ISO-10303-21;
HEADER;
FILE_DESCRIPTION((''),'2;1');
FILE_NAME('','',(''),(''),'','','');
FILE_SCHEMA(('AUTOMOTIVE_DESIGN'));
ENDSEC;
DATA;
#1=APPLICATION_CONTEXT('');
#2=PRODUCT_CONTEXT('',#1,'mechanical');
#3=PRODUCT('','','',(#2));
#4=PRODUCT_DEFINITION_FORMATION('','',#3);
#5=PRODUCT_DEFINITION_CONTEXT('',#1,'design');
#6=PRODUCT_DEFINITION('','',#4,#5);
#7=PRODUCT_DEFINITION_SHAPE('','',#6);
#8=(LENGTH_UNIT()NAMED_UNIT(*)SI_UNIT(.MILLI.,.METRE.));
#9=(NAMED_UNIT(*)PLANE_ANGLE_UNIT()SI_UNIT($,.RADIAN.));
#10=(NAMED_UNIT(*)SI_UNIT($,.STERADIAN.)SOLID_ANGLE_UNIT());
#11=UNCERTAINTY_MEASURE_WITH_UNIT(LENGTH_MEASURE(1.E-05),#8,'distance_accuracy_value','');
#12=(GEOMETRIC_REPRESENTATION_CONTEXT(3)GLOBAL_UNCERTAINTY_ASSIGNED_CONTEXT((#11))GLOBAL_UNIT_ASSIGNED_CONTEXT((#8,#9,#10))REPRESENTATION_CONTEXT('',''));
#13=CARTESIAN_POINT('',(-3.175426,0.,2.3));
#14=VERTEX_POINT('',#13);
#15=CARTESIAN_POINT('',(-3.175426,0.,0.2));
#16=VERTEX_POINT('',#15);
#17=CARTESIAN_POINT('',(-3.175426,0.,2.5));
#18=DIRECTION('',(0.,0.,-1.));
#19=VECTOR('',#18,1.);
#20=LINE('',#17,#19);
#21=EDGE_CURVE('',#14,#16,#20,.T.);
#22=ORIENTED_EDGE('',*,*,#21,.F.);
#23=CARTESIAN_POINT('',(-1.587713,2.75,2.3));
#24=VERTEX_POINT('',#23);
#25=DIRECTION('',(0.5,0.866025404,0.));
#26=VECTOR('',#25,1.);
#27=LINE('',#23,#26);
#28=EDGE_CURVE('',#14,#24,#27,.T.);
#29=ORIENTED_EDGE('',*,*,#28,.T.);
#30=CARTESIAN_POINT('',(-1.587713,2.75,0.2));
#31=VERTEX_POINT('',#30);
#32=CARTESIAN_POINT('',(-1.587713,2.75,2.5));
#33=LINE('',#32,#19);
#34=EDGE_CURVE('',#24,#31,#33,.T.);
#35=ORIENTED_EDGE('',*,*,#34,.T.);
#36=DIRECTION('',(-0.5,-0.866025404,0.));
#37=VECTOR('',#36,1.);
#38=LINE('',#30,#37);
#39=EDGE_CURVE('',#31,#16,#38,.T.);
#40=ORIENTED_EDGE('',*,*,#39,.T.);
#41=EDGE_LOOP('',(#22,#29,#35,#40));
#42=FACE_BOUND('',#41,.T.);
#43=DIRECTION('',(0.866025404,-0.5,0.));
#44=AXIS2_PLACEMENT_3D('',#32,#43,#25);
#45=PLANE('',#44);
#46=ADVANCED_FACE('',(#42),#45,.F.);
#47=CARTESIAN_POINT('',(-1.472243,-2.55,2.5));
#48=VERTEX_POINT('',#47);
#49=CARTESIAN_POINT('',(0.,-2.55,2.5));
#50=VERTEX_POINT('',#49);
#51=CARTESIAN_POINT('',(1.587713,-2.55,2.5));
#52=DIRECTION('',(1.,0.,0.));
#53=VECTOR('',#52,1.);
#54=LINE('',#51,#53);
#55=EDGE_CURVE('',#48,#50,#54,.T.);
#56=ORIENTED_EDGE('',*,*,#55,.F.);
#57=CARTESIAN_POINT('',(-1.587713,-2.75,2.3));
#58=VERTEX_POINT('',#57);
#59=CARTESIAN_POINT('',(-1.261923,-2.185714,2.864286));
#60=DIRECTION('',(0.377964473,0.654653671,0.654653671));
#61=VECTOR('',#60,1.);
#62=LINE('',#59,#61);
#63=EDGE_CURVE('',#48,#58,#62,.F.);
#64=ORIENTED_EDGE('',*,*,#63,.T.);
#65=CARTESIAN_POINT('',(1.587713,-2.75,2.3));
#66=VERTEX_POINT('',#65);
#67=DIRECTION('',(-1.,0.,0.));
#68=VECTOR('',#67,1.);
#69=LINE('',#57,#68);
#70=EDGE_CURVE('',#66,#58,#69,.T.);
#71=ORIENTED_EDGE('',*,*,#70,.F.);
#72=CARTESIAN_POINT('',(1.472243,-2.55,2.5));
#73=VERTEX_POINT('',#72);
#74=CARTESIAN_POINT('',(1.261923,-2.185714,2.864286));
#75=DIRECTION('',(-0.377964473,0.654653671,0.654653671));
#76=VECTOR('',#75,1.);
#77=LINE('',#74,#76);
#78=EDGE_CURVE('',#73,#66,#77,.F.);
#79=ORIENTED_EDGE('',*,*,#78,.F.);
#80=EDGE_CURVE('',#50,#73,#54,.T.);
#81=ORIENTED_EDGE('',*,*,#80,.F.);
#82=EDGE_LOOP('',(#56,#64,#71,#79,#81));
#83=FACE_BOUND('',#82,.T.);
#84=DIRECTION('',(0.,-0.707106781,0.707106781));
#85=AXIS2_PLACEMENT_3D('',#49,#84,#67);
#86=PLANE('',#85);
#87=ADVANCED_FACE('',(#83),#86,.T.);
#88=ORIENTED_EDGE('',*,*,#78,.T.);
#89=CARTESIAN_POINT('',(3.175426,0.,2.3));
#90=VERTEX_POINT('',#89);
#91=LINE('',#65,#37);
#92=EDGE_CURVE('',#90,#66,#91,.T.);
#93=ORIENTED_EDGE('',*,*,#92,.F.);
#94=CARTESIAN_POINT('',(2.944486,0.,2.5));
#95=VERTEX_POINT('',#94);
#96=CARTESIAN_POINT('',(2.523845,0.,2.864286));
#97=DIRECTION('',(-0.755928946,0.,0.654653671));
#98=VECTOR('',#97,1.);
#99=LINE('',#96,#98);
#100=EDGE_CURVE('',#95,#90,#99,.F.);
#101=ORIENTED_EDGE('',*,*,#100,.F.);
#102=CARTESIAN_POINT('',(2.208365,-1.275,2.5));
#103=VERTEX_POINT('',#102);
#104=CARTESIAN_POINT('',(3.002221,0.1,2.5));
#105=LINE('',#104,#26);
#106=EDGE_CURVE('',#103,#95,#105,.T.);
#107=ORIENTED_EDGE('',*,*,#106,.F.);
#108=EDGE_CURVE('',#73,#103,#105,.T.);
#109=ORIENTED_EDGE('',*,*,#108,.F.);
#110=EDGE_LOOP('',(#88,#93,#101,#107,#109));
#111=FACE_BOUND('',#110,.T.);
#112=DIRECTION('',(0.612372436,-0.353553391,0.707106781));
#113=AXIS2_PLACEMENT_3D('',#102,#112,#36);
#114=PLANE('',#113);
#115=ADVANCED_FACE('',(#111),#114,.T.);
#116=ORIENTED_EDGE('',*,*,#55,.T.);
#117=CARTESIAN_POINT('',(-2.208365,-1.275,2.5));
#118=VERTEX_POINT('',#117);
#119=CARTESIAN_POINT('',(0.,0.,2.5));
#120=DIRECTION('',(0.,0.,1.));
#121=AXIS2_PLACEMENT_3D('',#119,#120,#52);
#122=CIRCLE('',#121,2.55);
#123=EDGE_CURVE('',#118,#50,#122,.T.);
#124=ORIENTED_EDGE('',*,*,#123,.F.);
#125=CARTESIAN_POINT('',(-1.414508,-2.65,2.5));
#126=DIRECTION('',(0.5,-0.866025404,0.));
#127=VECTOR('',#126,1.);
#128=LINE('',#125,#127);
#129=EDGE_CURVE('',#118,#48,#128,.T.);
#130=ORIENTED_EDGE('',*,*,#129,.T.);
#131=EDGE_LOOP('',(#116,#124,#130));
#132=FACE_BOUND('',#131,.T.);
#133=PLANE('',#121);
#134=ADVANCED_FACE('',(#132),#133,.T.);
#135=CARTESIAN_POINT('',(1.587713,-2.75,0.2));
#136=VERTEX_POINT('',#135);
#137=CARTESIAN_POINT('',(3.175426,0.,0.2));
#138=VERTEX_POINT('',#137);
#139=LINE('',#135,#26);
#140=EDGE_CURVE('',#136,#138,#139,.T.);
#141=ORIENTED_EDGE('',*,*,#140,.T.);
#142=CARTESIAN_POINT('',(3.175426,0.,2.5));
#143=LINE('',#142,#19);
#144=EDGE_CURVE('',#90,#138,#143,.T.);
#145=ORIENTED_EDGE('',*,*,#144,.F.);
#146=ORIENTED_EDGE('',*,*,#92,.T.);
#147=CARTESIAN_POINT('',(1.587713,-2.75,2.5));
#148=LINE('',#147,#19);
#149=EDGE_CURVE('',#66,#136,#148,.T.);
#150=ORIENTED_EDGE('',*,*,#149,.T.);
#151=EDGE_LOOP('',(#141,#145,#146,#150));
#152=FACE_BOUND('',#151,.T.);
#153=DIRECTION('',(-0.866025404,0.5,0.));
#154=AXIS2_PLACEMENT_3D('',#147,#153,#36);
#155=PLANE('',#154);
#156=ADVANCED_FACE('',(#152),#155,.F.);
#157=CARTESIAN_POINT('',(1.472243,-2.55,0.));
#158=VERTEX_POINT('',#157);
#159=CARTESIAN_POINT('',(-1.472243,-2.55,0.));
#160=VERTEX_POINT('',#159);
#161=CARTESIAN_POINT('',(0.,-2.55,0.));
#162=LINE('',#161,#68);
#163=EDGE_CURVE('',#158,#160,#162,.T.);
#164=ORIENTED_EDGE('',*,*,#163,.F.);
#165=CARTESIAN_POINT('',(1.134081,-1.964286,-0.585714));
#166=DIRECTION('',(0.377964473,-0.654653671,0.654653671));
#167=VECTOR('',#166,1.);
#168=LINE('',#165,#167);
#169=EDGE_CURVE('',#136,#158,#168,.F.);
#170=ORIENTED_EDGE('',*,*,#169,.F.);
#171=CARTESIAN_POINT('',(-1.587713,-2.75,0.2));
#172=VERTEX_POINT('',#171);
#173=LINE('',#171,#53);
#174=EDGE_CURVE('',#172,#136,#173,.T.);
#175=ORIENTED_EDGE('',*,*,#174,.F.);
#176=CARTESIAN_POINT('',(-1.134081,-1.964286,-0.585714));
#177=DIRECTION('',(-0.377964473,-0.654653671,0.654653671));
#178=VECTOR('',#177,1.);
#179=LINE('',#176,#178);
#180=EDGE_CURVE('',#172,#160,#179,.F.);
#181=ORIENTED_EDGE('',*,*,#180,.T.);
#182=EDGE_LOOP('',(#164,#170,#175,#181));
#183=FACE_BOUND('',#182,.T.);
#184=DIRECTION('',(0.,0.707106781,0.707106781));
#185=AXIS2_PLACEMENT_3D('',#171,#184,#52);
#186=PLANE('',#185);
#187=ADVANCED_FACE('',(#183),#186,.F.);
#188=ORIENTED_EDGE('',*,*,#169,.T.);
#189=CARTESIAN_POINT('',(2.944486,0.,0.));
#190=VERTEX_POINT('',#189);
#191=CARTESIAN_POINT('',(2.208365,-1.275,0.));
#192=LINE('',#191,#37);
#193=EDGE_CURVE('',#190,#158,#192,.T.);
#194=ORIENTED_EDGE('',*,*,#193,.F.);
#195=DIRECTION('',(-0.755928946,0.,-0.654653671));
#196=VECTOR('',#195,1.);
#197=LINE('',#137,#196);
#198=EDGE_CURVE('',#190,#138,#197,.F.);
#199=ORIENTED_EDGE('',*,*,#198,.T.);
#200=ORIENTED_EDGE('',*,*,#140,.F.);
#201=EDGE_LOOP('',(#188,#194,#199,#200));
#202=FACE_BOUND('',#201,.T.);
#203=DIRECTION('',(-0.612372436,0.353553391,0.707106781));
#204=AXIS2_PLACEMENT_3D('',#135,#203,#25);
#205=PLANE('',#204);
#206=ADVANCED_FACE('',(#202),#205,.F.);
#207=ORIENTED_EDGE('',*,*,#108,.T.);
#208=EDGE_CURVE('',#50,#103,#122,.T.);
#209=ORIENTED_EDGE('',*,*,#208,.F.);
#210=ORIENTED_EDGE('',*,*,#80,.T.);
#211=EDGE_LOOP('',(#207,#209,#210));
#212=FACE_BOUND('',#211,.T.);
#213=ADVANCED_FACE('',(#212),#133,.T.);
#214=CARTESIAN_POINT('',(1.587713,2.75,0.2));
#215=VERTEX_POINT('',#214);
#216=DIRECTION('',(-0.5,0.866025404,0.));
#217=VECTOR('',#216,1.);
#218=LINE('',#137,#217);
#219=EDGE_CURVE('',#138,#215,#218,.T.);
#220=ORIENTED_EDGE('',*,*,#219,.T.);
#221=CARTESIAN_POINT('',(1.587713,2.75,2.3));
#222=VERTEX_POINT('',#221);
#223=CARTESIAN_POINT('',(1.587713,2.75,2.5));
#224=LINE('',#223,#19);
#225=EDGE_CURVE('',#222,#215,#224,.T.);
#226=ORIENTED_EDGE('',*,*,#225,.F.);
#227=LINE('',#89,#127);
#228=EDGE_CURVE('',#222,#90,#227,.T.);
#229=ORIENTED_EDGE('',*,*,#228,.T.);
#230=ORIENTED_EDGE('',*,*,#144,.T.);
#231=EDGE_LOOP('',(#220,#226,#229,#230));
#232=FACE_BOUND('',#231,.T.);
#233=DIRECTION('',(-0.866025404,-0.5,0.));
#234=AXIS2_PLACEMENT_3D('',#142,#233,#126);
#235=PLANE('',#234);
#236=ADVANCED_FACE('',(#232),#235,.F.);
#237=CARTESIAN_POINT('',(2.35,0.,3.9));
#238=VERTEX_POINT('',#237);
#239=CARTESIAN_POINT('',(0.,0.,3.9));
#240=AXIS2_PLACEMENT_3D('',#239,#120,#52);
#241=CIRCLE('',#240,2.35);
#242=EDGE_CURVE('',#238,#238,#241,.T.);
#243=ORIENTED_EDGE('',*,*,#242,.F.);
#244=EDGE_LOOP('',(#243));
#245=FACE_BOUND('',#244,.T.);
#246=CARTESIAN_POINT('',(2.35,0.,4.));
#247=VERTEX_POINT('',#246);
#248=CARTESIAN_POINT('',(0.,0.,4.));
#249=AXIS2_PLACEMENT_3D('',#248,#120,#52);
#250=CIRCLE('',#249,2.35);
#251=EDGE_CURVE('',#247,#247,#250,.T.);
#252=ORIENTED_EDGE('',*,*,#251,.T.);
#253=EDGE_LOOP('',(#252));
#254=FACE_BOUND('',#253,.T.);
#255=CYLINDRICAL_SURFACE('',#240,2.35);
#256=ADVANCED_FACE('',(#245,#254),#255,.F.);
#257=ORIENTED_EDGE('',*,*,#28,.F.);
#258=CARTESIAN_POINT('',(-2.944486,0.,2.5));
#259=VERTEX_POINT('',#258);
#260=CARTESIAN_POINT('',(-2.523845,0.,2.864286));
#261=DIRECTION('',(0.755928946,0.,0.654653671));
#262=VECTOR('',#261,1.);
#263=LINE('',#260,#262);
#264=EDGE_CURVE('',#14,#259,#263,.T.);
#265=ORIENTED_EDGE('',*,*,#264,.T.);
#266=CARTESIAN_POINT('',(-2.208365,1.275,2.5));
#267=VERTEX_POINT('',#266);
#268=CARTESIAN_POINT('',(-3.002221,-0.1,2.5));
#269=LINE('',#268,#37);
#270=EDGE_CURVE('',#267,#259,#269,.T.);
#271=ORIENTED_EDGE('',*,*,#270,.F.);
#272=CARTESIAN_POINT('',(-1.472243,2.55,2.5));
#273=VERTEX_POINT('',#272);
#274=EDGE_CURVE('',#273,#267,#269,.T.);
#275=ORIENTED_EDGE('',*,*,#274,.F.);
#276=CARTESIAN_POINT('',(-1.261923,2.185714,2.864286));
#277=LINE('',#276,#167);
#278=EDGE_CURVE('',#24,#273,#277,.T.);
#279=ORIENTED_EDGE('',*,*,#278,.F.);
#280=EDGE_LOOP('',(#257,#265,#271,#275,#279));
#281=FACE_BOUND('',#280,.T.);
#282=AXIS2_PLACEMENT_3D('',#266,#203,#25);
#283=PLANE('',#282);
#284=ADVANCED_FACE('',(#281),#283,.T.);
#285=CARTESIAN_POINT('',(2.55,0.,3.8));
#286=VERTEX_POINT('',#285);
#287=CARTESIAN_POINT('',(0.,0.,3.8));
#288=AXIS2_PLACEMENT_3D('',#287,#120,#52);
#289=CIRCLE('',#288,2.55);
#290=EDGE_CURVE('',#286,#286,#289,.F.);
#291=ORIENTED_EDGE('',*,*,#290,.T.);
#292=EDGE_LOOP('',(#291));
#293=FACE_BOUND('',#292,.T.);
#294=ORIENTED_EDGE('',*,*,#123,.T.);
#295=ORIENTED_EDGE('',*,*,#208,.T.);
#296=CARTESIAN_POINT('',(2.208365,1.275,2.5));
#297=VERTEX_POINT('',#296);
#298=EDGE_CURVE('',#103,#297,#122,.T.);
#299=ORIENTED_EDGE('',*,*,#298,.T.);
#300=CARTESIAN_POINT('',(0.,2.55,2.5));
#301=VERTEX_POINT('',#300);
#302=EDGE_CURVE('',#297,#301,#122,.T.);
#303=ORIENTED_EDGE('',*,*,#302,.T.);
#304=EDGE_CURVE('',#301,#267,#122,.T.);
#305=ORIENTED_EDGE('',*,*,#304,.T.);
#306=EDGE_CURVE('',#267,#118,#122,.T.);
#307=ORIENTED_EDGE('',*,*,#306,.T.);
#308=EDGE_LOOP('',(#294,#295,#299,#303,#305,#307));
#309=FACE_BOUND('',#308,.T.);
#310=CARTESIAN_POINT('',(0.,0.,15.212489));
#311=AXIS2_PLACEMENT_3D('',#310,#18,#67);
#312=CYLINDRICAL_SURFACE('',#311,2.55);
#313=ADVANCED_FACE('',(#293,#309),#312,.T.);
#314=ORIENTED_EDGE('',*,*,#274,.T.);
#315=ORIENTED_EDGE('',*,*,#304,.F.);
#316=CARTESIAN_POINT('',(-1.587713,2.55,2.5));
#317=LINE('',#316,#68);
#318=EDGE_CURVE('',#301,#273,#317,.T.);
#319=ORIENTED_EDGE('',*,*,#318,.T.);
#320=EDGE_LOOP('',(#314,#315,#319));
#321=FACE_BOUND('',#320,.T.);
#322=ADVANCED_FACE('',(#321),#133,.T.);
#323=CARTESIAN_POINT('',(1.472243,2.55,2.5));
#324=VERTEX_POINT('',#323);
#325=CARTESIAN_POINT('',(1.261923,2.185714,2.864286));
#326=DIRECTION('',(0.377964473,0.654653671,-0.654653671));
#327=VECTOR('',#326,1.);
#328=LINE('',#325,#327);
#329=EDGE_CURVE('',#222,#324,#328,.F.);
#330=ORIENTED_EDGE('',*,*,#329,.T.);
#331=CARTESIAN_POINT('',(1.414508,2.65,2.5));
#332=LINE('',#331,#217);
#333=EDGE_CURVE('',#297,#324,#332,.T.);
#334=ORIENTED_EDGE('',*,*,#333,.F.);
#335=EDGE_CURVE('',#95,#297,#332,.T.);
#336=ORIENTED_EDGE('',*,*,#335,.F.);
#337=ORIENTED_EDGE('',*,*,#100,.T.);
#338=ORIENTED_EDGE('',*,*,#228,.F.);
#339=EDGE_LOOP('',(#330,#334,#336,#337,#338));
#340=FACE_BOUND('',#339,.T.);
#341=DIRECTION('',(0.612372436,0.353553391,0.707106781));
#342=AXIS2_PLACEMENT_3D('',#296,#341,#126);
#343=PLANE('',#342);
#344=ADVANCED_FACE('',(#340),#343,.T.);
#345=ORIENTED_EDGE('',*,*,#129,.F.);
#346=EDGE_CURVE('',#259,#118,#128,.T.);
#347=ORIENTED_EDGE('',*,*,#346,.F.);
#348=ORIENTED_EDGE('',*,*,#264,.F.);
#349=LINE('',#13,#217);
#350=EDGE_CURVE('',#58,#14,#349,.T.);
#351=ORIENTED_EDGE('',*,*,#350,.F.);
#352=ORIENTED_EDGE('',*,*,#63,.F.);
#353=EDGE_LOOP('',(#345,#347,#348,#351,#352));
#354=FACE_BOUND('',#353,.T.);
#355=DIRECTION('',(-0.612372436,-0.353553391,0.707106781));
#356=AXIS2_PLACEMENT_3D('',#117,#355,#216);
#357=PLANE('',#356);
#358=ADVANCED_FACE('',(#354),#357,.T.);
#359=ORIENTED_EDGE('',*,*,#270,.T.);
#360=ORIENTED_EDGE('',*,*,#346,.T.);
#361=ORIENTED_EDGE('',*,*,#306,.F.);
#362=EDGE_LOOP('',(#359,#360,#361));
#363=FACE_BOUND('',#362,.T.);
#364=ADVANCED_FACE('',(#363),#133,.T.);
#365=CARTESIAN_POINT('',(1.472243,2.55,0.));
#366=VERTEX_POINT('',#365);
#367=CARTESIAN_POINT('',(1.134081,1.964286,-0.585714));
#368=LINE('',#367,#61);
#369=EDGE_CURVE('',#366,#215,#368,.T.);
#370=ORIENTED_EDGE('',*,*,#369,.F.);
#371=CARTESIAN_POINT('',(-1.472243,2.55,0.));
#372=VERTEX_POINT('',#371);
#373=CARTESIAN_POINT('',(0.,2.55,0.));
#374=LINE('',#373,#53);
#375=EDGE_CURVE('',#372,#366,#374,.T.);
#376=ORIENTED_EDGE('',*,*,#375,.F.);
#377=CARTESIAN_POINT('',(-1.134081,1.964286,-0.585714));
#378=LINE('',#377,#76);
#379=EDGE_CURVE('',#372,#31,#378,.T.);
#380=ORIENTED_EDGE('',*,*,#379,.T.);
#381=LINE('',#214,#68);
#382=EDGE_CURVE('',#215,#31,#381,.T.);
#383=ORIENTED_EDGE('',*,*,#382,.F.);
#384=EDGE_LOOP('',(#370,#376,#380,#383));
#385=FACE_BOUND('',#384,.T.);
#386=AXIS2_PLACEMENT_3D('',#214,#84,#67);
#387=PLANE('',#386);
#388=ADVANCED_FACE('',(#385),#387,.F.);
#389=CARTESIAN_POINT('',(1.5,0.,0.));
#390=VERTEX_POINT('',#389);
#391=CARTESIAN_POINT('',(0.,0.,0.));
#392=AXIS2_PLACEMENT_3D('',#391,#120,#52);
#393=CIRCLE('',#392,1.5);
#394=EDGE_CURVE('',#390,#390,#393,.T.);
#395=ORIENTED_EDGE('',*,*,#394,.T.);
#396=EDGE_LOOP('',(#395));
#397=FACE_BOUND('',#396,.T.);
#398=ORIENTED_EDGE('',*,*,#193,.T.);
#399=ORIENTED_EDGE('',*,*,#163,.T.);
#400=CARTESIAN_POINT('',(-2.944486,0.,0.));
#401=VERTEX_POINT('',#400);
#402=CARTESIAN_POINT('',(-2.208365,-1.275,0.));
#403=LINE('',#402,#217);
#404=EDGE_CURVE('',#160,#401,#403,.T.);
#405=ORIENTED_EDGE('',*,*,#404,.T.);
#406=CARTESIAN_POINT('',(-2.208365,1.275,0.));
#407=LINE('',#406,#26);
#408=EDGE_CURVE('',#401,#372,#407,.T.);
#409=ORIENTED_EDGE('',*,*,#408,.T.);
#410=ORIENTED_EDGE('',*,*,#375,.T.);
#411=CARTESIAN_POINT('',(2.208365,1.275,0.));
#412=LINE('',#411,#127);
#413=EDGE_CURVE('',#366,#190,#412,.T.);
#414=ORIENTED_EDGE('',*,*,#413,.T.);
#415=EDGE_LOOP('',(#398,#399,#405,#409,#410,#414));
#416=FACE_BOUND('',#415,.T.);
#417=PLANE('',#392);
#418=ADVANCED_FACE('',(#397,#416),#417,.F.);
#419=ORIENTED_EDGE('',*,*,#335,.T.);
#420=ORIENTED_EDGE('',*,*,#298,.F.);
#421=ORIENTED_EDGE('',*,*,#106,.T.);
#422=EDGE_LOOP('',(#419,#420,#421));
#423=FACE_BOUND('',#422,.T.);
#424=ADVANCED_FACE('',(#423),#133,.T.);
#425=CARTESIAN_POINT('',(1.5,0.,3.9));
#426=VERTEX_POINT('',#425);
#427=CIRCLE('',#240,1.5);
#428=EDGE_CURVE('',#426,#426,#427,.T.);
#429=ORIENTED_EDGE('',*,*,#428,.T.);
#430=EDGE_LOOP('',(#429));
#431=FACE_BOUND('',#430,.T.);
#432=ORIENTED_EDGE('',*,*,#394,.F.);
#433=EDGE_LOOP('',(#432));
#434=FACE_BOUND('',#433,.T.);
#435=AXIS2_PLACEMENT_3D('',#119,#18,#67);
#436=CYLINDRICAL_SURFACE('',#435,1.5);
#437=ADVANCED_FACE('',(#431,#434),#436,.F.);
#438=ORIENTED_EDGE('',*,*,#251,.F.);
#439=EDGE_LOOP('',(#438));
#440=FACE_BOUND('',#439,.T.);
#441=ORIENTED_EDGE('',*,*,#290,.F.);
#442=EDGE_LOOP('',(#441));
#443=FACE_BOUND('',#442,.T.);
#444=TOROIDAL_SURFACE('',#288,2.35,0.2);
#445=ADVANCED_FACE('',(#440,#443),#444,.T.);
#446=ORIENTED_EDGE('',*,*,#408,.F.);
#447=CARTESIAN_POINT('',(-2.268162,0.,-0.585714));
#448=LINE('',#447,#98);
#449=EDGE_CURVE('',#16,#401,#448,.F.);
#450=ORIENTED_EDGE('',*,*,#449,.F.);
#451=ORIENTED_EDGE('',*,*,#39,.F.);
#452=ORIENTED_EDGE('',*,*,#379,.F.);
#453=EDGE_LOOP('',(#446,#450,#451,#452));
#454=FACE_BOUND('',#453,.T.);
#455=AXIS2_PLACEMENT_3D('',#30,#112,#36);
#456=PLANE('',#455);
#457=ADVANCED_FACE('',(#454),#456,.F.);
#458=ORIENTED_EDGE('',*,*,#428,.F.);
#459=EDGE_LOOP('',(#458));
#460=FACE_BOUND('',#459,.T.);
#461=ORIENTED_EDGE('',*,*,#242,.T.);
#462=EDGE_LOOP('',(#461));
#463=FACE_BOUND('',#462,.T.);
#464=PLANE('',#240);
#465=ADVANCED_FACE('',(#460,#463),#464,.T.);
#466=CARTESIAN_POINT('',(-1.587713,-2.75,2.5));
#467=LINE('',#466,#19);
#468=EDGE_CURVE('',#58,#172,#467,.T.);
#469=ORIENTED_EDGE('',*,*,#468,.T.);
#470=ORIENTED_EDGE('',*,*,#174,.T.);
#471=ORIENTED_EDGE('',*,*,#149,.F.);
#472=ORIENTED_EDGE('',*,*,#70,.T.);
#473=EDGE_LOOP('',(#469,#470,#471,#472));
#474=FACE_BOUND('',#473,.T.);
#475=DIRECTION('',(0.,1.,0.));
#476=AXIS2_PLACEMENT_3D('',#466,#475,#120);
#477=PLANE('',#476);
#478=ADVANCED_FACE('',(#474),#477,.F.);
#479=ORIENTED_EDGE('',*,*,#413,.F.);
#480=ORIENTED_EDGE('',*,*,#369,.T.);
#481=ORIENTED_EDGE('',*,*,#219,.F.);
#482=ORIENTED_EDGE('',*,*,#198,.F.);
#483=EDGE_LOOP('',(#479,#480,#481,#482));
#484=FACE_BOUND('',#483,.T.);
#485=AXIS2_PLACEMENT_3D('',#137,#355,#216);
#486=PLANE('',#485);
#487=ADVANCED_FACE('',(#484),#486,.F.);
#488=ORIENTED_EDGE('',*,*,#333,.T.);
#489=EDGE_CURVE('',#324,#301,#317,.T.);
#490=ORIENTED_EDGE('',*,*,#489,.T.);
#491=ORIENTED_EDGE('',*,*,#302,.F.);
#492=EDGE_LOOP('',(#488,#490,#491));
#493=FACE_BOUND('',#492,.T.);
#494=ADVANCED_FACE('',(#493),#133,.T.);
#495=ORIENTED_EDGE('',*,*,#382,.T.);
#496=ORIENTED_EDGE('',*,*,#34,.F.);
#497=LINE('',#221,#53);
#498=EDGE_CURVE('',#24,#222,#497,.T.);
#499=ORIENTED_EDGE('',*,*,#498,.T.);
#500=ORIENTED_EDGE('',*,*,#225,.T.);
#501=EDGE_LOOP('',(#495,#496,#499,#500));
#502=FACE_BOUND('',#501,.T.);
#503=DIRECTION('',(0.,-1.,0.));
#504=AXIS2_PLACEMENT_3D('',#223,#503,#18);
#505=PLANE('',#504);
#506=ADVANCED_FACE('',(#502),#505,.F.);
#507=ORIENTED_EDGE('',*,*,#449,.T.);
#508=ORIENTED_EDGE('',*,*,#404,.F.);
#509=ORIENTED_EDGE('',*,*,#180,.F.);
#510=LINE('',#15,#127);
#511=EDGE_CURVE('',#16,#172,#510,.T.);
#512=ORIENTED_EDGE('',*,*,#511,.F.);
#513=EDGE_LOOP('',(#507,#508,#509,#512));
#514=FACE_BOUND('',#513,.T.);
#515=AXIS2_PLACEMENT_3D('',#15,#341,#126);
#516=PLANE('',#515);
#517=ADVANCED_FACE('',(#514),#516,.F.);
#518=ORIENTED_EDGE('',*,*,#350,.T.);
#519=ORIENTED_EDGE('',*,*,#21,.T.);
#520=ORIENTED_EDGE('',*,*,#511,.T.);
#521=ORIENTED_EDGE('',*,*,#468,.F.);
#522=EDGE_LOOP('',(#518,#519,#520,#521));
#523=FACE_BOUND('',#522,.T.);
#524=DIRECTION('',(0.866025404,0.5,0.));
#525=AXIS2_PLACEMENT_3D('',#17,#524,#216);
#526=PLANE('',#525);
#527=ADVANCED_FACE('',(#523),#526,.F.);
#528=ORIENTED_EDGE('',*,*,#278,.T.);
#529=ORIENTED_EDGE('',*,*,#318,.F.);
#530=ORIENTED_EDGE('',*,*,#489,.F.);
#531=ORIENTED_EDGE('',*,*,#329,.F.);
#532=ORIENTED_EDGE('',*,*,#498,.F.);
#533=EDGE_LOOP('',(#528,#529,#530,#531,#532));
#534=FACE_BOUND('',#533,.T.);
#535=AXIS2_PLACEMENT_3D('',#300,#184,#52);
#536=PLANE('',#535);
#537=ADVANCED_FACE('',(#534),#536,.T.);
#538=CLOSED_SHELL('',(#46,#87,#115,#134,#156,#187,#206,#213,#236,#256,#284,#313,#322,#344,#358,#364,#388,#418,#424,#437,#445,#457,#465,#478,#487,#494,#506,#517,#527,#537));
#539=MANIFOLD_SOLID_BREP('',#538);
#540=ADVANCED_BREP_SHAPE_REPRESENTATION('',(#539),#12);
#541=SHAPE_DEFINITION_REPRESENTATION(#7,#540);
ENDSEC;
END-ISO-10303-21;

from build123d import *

# Parameters (mm, degrees)
SKETCH1_R           = 1.5
SHAPE_DEPTH         = 2.5
CHAMFER_2_SIZE      = 0.2
SKETCH2_R           = 2.55
SKETCH2_R_2         = 1.5
BOSS_EXTRUDE2_DEPTH = 1.5
FILLET1_R           = 0.2
CUT_EXTRUDE1_START  = -0.1
SKETCH3_R           = 2.35
SKETCH3_R_2         = 1.5
CUT_EXTRUDE1_DEPTH  = 0.1


with BuildPart() as part:
    # Sketch1 → Shape (new body)
    with BuildSketch(Plane.XY):
        Polygon((-1.58771324, -2.75), (1.58771324, -2.75), (3.175426481, 0), (1.58771324, 2.75), (-1.58771324, 2.75), (-3.175426481, 0), align=None)
        Circle(SKETCH1_R, mode=Mode.SUBTRACT)
    extrude(amount=SHAPE_DEPTH)

    # Chamfer 2
    chamfer_2_edges = [part.edges().sort_by_distance(p)[0] for p in [
        (2.38156986, -1.375, 2.5),
        (2.38156986, 1.375, 2.5),
        (0, 2.75, 2.5),
        (-2.38156986, 1.375, 2.5),
        (-2.38156986, -1.375, 2.5),
        (-2.38156986, 1.375, 0),
        (0, 2.75, 0),
        (2.38156986, 1.375, 0),
        (0, -2.75, 2.5),
        (2.38156986, -1.375, 0),
        (0, -2.75, 0),
        (-2.38156986, -1.375, 0),
    ]]
    chamfer(chamfer_2_edges, length=CHAMFER_2_SIZE)

    # Sketch2 → Boss-Extrude2 (add)
    with BuildSketch(Plane.XY.offset(2.5)):
        with Locations(Location((0, 0, 0), (0, 0, 150))):
            Circle(SKETCH2_R)
        Circle(SKETCH2_R_2, mode=Mode.SUBTRACT)
    extrude(amount=BOSS_EXTRUDE2_DEPTH)

    # Fillet1
    fillet1_edges = [part.edges().sort_by_distance(p)[0] for p in [
        (2.20836478, -1.275, 4),
    ]]
    fillet(fillet1_edges, radius=FILLET1_R)

    # Sketch3 → Cut-Extrude1 (cut)
    with BuildSketch(Plane.XY.offset(4).offset(CUT_EXTRUDE1_START)):
        Circle(SKETCH3_R)
        Circle(SKETCH3_R_2, mode=Mode.SUBTRACT)
    extrude(amount=CUT_EXTRUDE1_DEPTH, mode=Mode.SUBTRACT)


solid = part.part
